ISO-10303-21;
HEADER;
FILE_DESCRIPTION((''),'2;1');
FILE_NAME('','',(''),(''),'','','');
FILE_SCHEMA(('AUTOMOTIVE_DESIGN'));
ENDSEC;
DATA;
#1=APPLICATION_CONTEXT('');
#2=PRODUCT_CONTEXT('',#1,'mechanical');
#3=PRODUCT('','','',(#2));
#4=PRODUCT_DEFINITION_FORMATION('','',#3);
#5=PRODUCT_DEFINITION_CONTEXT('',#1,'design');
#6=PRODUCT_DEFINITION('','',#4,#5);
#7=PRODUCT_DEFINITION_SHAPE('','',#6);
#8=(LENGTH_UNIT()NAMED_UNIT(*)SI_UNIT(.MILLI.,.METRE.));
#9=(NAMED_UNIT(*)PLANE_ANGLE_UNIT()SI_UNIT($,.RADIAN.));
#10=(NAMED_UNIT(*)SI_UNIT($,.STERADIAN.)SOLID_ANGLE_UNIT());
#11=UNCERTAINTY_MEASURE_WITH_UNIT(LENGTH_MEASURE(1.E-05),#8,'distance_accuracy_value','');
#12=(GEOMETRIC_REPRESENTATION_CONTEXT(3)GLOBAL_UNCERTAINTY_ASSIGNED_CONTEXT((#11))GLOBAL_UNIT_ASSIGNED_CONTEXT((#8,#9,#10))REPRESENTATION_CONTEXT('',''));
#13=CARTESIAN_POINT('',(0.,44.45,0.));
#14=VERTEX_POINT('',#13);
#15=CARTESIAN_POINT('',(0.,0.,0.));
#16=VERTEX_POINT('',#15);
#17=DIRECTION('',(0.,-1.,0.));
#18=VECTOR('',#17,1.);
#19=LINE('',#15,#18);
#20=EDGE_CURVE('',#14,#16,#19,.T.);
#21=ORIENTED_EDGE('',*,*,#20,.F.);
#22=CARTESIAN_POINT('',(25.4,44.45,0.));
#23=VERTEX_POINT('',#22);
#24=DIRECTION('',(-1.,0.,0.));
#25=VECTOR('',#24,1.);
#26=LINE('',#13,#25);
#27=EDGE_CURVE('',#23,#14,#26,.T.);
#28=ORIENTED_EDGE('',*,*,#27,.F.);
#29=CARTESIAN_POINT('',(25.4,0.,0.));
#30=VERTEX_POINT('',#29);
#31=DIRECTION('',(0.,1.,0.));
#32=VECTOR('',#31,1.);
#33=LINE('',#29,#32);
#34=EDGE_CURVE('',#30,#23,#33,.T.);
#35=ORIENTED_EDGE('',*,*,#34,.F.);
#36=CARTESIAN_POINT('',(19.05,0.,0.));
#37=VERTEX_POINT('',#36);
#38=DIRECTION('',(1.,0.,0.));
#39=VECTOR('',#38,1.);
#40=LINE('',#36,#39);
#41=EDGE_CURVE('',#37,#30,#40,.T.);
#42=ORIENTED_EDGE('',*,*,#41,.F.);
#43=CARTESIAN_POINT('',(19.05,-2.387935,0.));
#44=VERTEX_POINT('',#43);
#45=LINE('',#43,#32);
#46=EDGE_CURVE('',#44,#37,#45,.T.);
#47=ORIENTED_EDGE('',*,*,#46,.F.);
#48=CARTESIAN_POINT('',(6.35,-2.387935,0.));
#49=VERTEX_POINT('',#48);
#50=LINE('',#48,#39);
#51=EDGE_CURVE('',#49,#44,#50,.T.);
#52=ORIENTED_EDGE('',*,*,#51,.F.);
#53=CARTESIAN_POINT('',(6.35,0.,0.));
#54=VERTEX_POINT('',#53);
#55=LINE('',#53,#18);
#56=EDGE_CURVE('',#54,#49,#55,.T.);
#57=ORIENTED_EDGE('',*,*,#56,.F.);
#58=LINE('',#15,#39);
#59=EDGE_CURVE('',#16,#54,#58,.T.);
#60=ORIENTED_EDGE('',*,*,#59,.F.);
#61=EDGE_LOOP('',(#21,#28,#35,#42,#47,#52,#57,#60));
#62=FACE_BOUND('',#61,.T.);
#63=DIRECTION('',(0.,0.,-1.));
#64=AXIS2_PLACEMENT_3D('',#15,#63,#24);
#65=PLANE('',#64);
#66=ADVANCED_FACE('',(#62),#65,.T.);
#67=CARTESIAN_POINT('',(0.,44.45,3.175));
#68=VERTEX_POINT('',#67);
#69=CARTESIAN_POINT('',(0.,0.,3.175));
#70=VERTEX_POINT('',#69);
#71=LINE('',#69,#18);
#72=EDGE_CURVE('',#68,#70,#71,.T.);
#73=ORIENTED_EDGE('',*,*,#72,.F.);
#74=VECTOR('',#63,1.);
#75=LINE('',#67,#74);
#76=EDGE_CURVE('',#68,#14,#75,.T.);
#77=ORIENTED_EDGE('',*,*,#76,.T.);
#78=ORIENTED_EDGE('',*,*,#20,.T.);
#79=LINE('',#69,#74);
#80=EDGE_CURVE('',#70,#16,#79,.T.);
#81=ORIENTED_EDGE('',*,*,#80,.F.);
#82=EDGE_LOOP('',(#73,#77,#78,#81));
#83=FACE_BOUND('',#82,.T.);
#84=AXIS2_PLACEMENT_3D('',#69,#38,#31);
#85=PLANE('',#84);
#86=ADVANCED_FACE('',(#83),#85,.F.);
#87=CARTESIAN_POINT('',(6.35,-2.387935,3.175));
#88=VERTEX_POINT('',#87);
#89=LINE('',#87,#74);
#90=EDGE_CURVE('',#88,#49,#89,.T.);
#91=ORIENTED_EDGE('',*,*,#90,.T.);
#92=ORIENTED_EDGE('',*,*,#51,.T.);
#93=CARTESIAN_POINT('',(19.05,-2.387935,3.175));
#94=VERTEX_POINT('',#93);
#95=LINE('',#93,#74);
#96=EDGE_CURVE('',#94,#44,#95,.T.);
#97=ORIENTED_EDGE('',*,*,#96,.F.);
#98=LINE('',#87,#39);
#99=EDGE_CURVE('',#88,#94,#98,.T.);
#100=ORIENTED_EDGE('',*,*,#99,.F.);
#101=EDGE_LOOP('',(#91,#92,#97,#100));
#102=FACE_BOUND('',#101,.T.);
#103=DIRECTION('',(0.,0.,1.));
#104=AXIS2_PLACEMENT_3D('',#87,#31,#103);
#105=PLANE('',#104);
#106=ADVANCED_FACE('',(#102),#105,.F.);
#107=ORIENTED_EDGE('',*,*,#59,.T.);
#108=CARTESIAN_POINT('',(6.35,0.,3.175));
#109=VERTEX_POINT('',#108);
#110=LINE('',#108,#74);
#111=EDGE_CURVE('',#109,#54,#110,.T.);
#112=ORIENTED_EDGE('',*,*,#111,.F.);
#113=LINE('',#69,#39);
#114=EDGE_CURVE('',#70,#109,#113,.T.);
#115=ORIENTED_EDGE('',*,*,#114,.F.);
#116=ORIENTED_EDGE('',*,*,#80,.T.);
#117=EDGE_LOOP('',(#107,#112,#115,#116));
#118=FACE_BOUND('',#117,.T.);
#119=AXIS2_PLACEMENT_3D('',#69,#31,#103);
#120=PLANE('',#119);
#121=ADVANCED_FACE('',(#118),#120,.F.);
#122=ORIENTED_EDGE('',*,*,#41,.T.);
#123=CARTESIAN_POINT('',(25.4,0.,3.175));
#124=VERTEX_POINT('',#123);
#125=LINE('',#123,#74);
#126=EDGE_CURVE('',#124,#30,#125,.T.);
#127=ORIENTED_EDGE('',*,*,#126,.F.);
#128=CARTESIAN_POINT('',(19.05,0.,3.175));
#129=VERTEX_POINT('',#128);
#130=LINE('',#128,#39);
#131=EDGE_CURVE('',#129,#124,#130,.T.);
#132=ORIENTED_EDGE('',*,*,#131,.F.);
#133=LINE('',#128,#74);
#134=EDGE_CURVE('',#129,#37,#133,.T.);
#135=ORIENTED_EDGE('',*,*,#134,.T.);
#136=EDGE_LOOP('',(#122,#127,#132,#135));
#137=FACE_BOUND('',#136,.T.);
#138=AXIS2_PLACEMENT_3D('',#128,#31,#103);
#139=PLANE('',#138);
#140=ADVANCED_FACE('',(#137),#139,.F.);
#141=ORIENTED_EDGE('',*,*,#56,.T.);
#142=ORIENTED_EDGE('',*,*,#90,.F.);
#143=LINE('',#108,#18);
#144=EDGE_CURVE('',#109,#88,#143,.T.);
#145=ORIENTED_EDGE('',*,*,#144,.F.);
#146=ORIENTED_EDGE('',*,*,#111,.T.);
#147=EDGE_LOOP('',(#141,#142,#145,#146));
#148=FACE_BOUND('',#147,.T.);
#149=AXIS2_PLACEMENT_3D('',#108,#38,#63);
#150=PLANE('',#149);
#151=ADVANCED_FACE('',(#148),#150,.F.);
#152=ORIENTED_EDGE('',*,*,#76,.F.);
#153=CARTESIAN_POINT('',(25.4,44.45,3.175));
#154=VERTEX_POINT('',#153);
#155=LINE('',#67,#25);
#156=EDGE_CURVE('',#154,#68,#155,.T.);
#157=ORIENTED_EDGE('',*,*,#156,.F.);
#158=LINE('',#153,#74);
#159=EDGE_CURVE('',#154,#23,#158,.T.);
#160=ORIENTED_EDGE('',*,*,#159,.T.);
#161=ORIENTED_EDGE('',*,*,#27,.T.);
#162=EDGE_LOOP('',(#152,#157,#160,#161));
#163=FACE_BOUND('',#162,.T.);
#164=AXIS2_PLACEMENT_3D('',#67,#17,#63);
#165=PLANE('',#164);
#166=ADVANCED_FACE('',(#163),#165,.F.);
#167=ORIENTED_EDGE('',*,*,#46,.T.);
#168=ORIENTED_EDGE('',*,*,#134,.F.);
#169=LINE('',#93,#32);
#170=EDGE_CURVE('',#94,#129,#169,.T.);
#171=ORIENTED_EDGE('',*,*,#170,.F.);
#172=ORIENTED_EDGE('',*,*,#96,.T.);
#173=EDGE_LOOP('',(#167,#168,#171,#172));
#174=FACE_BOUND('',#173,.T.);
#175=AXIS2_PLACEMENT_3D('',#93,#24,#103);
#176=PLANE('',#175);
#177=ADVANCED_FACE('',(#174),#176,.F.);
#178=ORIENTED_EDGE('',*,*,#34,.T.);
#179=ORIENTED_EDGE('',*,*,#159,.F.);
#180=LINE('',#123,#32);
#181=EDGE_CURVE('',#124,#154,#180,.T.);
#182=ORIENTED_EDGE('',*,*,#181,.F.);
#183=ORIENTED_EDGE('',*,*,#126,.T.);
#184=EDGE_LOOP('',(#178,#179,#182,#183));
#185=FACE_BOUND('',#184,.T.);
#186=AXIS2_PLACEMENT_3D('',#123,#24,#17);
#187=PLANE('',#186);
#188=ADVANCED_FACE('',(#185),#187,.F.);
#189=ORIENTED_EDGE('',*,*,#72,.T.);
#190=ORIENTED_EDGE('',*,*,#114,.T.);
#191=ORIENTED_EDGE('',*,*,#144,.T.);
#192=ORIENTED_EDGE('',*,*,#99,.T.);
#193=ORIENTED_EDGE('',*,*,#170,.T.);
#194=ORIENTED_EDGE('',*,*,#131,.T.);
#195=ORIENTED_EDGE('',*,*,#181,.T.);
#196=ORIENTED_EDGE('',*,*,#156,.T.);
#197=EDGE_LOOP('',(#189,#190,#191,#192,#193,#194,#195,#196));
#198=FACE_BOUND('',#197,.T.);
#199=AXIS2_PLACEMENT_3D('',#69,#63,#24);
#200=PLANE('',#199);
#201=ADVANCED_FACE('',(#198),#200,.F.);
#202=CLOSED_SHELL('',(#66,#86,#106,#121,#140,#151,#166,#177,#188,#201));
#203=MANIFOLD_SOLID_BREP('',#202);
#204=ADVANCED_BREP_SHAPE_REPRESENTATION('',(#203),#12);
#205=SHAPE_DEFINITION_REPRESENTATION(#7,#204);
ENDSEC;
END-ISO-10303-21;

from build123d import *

# Parameters (mm, degrees)
BOSS_EXTRUDE1_DEPTH = 3.175


with BuildPart() as part:
    # Sketch1 → Boss-Extrude1 (new body)
    with BuildSketch(Plane.XY):
        Polygon((6.35, 0), (6.35, -2.387934918), (19.05, -2.387934918), (19.05, 0), (25.4, 0), (25.4, 44.45), (0, 44.45), (0, 0), align=None)
    extrude(amount=BOSS_EXTRUDE1_DEPTH)


solid = part.part
